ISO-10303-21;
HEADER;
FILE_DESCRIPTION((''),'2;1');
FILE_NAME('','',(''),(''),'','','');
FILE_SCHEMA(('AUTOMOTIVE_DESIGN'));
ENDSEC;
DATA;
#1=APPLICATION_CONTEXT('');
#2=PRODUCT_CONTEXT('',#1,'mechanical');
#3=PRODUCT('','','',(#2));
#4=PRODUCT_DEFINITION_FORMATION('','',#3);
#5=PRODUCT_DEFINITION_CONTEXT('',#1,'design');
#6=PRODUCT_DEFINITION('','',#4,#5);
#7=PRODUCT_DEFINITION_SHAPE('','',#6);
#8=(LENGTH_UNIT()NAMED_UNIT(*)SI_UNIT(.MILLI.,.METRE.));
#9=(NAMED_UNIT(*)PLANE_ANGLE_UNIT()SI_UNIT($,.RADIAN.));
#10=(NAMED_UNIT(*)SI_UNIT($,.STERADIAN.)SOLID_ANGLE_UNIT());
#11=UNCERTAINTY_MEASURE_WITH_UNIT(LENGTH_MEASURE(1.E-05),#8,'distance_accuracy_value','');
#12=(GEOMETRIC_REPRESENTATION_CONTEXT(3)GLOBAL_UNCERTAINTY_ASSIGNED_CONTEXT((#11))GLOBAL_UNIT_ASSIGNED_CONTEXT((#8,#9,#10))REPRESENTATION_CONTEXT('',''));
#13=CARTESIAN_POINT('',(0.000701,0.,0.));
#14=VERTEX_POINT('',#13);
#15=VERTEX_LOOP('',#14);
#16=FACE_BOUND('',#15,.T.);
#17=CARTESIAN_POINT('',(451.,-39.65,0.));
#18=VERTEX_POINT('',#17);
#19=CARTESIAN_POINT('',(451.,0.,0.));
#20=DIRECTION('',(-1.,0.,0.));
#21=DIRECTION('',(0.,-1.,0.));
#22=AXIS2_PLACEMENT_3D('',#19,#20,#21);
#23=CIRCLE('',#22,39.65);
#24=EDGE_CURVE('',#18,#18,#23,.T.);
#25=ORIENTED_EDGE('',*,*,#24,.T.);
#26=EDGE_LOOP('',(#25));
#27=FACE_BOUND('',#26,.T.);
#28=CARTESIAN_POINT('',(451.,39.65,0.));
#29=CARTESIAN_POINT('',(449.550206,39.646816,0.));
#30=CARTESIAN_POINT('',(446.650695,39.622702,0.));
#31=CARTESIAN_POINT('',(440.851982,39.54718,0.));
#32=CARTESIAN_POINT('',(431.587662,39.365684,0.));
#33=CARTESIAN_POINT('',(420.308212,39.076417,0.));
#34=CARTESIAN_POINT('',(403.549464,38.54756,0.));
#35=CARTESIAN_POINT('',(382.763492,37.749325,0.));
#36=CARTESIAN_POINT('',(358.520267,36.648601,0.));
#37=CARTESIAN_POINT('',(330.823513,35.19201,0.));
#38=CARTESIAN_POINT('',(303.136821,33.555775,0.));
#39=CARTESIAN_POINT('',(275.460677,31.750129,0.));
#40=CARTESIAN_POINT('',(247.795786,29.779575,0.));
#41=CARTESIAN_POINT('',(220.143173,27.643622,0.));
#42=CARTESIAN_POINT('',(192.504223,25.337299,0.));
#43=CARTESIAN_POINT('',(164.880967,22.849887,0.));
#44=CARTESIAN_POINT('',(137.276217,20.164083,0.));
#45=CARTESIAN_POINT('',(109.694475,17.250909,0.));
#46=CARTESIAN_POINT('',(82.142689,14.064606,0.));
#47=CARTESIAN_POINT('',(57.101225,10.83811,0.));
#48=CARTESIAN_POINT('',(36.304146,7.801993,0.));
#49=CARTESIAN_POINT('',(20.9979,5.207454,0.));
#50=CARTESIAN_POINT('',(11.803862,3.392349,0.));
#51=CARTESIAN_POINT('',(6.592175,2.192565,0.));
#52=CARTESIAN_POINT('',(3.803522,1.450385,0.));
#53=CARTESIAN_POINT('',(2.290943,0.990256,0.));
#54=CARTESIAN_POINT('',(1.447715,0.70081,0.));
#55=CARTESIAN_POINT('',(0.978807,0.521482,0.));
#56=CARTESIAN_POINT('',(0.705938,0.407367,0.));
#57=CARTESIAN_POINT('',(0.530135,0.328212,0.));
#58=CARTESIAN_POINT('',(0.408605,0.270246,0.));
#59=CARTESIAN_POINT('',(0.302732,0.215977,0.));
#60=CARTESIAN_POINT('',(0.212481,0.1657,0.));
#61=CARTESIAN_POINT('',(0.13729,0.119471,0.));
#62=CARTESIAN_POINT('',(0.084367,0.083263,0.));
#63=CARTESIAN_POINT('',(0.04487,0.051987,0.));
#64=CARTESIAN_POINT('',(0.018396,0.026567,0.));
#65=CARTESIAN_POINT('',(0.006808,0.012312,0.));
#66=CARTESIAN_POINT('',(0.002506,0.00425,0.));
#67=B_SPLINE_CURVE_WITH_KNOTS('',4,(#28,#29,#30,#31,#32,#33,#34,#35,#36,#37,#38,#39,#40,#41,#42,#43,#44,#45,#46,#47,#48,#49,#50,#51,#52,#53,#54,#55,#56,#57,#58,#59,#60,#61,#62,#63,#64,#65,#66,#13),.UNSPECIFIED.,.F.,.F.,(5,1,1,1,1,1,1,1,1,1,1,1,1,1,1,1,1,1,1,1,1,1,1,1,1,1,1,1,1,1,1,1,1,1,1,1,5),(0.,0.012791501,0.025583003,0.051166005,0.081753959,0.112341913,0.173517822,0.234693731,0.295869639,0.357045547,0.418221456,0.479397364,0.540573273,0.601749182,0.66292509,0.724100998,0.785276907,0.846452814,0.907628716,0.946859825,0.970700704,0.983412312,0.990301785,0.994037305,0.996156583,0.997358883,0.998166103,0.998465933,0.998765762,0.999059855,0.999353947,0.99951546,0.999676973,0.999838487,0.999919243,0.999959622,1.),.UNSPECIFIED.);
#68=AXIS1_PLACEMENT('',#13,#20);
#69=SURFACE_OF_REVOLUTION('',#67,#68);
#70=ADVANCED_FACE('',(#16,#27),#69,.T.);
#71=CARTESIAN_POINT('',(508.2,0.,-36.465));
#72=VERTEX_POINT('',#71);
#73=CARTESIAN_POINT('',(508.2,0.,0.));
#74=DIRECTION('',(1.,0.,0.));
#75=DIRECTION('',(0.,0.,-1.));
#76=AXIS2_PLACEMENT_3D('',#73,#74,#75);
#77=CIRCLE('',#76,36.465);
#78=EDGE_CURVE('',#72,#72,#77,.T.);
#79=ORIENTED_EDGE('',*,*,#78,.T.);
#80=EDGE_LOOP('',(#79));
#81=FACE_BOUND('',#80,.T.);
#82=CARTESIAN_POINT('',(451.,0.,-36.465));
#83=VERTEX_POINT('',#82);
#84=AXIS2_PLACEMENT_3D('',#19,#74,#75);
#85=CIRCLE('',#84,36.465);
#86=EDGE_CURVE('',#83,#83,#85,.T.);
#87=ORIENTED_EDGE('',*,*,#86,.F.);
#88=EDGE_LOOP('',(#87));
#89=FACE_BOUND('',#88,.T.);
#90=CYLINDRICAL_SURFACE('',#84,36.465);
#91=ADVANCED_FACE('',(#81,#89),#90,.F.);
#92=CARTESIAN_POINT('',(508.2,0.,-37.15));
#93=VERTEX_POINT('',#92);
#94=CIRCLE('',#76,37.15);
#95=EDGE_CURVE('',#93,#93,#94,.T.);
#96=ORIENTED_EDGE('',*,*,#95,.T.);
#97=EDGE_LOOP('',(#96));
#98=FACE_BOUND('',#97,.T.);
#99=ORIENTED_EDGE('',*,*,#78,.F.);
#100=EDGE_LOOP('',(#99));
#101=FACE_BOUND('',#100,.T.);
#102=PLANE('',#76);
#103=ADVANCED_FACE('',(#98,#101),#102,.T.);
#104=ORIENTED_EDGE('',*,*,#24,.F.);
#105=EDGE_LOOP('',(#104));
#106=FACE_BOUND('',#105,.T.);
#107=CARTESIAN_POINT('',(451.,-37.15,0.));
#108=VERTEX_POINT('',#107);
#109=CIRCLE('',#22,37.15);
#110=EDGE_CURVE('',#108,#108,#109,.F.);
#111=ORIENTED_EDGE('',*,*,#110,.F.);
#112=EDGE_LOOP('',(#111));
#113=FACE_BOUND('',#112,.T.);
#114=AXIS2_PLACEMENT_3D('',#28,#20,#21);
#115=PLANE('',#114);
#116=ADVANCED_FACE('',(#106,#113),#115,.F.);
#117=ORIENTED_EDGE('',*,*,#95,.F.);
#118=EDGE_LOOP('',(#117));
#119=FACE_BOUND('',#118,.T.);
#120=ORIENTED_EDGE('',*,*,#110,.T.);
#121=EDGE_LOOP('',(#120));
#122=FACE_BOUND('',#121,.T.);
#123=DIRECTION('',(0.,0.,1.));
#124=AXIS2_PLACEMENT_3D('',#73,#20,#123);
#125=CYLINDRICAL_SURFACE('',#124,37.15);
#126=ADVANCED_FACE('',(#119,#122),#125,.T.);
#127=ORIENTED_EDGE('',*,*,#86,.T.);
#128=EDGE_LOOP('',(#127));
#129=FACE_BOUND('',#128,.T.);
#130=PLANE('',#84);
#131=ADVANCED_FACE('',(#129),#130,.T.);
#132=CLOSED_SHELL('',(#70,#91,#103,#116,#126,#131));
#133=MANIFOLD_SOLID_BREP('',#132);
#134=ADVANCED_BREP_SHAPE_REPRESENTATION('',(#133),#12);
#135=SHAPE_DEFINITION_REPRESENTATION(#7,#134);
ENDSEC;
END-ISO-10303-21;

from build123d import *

# Parameters (mm, degrees)
SKETCH7_R           = 37.15
BOSS_EXTRUDE1_DEPTH = 57.2
SKETCH10_R          = 36.465
CUT_EXTRUDE1_DEPTH  = 57.2


with BuildPart() as part:
    # Sketch4 → Revolve1 (revolve)
    with BuildSketch(Plane.XY):
        with BuildLine():
            Line((451, 39.65), (451, 0))
            Line((451, 0), (0.000701246, 0))
            add(Edge.make_bspline(
                [(0.000701246, 0), (0.002506302, 0.004250308), (0.00680812, 0.012312245), (0.018396223, 0.026567262), (0.044870426, 0.051987464), (0.084367289, 0.083263169), (0.137290098, 0.119470755), (0.212480734, 0.165700096), (0.302732494, 0.215977448), (0.408604965, 0.270245958), (0.530135293, 0.328212169), (0.705937544, 0.407366655), (0.978806956, 0.521481954), (1.447715348, 0.70081044), (2.290942601, 0.990255514), (3.803522224, 1.450385156), (6.592175117, 2.192565449), (11.803862458, 3.39234852), (20.997899725, 5.207453532), (36.304145868, 7.801992547), (57.101225143, 10.838109762), (82.142689037, 14.064606), (109.694474906, 17.250908512), (137.276216784, 20.164082652), (164.880967367, 22.849887266), (192.504223184, 25.337299208), (220.143173378, 27.643621725), (247.795785791, 29.779575236), (275.460677162, 31.750129242), (303.136821137, 33.555775426), (330.823513329, 35.192009963), (358.520267123, 36.648600608), (382.763491855, 37.749324719), (403.549463902, 38.547560188), (420.308211797, 39.076417022), (431.587662282, 39.365684368), (440.851982053, 39.547180034), (446.650695, 39.622701869), (449.55020557, 39.646815638), (451, 39.65)],
                knots=[0, 0, 0, 0, 0, 4.0378e-05, 8.0757e-05, 0.000161513, 0.000323027, 0.00048454, 0.000646053, 0.000940145, 0.001234238, 0.001534067, 0.001833897, 0.002641117, 0.003843417, 0.005962695, 0.009698215, 0.016587688, 0.029299296, 0.053140175, 0.092371284, 0.153547186, 0.214723093, 0.275899002, 0.33707491, 0.398250818, 0.459426727, 0.520602636, 0.581778544, 0.642954453, 0.704130361, 0.765306269, 0.826482178, 0.887658087, 0.918246041, 0.948833995, 0.974416997, 0.987208499, 1, 1, 1, 1, 1], degree=4))
        make_face()
    revolve(axis=Axis((0.000701246, 0, 0), (1, 0, 0)))

    # Sketch7 → Boss-Extrude1 (add)
    with BuildSketch(Plane(origin=(451, 0, 0), x_dir=(0, 0, -1), z_dir=(1, 0, 0))):
        with Locations(Location((0, 0, 0), (0, 0, 270))):
            Circle(SKETCH7_R)
    extrude(amount=BOSS_EXTRUDE1_DEPTH)

    # Sketch10 → Cut-Extrude1 (cut)
    with BuildSketch(Plane(origin=(508.2, 0, 0), x_dir=(0, 0, -1), z_dir=(1, 0, 0))):
        Circle(SKETCH10_R)
    extrude(amount=-CUT_EXTRUDE1_DEPTH, mode=Mode.SUBTRACT)


solid = part.part
